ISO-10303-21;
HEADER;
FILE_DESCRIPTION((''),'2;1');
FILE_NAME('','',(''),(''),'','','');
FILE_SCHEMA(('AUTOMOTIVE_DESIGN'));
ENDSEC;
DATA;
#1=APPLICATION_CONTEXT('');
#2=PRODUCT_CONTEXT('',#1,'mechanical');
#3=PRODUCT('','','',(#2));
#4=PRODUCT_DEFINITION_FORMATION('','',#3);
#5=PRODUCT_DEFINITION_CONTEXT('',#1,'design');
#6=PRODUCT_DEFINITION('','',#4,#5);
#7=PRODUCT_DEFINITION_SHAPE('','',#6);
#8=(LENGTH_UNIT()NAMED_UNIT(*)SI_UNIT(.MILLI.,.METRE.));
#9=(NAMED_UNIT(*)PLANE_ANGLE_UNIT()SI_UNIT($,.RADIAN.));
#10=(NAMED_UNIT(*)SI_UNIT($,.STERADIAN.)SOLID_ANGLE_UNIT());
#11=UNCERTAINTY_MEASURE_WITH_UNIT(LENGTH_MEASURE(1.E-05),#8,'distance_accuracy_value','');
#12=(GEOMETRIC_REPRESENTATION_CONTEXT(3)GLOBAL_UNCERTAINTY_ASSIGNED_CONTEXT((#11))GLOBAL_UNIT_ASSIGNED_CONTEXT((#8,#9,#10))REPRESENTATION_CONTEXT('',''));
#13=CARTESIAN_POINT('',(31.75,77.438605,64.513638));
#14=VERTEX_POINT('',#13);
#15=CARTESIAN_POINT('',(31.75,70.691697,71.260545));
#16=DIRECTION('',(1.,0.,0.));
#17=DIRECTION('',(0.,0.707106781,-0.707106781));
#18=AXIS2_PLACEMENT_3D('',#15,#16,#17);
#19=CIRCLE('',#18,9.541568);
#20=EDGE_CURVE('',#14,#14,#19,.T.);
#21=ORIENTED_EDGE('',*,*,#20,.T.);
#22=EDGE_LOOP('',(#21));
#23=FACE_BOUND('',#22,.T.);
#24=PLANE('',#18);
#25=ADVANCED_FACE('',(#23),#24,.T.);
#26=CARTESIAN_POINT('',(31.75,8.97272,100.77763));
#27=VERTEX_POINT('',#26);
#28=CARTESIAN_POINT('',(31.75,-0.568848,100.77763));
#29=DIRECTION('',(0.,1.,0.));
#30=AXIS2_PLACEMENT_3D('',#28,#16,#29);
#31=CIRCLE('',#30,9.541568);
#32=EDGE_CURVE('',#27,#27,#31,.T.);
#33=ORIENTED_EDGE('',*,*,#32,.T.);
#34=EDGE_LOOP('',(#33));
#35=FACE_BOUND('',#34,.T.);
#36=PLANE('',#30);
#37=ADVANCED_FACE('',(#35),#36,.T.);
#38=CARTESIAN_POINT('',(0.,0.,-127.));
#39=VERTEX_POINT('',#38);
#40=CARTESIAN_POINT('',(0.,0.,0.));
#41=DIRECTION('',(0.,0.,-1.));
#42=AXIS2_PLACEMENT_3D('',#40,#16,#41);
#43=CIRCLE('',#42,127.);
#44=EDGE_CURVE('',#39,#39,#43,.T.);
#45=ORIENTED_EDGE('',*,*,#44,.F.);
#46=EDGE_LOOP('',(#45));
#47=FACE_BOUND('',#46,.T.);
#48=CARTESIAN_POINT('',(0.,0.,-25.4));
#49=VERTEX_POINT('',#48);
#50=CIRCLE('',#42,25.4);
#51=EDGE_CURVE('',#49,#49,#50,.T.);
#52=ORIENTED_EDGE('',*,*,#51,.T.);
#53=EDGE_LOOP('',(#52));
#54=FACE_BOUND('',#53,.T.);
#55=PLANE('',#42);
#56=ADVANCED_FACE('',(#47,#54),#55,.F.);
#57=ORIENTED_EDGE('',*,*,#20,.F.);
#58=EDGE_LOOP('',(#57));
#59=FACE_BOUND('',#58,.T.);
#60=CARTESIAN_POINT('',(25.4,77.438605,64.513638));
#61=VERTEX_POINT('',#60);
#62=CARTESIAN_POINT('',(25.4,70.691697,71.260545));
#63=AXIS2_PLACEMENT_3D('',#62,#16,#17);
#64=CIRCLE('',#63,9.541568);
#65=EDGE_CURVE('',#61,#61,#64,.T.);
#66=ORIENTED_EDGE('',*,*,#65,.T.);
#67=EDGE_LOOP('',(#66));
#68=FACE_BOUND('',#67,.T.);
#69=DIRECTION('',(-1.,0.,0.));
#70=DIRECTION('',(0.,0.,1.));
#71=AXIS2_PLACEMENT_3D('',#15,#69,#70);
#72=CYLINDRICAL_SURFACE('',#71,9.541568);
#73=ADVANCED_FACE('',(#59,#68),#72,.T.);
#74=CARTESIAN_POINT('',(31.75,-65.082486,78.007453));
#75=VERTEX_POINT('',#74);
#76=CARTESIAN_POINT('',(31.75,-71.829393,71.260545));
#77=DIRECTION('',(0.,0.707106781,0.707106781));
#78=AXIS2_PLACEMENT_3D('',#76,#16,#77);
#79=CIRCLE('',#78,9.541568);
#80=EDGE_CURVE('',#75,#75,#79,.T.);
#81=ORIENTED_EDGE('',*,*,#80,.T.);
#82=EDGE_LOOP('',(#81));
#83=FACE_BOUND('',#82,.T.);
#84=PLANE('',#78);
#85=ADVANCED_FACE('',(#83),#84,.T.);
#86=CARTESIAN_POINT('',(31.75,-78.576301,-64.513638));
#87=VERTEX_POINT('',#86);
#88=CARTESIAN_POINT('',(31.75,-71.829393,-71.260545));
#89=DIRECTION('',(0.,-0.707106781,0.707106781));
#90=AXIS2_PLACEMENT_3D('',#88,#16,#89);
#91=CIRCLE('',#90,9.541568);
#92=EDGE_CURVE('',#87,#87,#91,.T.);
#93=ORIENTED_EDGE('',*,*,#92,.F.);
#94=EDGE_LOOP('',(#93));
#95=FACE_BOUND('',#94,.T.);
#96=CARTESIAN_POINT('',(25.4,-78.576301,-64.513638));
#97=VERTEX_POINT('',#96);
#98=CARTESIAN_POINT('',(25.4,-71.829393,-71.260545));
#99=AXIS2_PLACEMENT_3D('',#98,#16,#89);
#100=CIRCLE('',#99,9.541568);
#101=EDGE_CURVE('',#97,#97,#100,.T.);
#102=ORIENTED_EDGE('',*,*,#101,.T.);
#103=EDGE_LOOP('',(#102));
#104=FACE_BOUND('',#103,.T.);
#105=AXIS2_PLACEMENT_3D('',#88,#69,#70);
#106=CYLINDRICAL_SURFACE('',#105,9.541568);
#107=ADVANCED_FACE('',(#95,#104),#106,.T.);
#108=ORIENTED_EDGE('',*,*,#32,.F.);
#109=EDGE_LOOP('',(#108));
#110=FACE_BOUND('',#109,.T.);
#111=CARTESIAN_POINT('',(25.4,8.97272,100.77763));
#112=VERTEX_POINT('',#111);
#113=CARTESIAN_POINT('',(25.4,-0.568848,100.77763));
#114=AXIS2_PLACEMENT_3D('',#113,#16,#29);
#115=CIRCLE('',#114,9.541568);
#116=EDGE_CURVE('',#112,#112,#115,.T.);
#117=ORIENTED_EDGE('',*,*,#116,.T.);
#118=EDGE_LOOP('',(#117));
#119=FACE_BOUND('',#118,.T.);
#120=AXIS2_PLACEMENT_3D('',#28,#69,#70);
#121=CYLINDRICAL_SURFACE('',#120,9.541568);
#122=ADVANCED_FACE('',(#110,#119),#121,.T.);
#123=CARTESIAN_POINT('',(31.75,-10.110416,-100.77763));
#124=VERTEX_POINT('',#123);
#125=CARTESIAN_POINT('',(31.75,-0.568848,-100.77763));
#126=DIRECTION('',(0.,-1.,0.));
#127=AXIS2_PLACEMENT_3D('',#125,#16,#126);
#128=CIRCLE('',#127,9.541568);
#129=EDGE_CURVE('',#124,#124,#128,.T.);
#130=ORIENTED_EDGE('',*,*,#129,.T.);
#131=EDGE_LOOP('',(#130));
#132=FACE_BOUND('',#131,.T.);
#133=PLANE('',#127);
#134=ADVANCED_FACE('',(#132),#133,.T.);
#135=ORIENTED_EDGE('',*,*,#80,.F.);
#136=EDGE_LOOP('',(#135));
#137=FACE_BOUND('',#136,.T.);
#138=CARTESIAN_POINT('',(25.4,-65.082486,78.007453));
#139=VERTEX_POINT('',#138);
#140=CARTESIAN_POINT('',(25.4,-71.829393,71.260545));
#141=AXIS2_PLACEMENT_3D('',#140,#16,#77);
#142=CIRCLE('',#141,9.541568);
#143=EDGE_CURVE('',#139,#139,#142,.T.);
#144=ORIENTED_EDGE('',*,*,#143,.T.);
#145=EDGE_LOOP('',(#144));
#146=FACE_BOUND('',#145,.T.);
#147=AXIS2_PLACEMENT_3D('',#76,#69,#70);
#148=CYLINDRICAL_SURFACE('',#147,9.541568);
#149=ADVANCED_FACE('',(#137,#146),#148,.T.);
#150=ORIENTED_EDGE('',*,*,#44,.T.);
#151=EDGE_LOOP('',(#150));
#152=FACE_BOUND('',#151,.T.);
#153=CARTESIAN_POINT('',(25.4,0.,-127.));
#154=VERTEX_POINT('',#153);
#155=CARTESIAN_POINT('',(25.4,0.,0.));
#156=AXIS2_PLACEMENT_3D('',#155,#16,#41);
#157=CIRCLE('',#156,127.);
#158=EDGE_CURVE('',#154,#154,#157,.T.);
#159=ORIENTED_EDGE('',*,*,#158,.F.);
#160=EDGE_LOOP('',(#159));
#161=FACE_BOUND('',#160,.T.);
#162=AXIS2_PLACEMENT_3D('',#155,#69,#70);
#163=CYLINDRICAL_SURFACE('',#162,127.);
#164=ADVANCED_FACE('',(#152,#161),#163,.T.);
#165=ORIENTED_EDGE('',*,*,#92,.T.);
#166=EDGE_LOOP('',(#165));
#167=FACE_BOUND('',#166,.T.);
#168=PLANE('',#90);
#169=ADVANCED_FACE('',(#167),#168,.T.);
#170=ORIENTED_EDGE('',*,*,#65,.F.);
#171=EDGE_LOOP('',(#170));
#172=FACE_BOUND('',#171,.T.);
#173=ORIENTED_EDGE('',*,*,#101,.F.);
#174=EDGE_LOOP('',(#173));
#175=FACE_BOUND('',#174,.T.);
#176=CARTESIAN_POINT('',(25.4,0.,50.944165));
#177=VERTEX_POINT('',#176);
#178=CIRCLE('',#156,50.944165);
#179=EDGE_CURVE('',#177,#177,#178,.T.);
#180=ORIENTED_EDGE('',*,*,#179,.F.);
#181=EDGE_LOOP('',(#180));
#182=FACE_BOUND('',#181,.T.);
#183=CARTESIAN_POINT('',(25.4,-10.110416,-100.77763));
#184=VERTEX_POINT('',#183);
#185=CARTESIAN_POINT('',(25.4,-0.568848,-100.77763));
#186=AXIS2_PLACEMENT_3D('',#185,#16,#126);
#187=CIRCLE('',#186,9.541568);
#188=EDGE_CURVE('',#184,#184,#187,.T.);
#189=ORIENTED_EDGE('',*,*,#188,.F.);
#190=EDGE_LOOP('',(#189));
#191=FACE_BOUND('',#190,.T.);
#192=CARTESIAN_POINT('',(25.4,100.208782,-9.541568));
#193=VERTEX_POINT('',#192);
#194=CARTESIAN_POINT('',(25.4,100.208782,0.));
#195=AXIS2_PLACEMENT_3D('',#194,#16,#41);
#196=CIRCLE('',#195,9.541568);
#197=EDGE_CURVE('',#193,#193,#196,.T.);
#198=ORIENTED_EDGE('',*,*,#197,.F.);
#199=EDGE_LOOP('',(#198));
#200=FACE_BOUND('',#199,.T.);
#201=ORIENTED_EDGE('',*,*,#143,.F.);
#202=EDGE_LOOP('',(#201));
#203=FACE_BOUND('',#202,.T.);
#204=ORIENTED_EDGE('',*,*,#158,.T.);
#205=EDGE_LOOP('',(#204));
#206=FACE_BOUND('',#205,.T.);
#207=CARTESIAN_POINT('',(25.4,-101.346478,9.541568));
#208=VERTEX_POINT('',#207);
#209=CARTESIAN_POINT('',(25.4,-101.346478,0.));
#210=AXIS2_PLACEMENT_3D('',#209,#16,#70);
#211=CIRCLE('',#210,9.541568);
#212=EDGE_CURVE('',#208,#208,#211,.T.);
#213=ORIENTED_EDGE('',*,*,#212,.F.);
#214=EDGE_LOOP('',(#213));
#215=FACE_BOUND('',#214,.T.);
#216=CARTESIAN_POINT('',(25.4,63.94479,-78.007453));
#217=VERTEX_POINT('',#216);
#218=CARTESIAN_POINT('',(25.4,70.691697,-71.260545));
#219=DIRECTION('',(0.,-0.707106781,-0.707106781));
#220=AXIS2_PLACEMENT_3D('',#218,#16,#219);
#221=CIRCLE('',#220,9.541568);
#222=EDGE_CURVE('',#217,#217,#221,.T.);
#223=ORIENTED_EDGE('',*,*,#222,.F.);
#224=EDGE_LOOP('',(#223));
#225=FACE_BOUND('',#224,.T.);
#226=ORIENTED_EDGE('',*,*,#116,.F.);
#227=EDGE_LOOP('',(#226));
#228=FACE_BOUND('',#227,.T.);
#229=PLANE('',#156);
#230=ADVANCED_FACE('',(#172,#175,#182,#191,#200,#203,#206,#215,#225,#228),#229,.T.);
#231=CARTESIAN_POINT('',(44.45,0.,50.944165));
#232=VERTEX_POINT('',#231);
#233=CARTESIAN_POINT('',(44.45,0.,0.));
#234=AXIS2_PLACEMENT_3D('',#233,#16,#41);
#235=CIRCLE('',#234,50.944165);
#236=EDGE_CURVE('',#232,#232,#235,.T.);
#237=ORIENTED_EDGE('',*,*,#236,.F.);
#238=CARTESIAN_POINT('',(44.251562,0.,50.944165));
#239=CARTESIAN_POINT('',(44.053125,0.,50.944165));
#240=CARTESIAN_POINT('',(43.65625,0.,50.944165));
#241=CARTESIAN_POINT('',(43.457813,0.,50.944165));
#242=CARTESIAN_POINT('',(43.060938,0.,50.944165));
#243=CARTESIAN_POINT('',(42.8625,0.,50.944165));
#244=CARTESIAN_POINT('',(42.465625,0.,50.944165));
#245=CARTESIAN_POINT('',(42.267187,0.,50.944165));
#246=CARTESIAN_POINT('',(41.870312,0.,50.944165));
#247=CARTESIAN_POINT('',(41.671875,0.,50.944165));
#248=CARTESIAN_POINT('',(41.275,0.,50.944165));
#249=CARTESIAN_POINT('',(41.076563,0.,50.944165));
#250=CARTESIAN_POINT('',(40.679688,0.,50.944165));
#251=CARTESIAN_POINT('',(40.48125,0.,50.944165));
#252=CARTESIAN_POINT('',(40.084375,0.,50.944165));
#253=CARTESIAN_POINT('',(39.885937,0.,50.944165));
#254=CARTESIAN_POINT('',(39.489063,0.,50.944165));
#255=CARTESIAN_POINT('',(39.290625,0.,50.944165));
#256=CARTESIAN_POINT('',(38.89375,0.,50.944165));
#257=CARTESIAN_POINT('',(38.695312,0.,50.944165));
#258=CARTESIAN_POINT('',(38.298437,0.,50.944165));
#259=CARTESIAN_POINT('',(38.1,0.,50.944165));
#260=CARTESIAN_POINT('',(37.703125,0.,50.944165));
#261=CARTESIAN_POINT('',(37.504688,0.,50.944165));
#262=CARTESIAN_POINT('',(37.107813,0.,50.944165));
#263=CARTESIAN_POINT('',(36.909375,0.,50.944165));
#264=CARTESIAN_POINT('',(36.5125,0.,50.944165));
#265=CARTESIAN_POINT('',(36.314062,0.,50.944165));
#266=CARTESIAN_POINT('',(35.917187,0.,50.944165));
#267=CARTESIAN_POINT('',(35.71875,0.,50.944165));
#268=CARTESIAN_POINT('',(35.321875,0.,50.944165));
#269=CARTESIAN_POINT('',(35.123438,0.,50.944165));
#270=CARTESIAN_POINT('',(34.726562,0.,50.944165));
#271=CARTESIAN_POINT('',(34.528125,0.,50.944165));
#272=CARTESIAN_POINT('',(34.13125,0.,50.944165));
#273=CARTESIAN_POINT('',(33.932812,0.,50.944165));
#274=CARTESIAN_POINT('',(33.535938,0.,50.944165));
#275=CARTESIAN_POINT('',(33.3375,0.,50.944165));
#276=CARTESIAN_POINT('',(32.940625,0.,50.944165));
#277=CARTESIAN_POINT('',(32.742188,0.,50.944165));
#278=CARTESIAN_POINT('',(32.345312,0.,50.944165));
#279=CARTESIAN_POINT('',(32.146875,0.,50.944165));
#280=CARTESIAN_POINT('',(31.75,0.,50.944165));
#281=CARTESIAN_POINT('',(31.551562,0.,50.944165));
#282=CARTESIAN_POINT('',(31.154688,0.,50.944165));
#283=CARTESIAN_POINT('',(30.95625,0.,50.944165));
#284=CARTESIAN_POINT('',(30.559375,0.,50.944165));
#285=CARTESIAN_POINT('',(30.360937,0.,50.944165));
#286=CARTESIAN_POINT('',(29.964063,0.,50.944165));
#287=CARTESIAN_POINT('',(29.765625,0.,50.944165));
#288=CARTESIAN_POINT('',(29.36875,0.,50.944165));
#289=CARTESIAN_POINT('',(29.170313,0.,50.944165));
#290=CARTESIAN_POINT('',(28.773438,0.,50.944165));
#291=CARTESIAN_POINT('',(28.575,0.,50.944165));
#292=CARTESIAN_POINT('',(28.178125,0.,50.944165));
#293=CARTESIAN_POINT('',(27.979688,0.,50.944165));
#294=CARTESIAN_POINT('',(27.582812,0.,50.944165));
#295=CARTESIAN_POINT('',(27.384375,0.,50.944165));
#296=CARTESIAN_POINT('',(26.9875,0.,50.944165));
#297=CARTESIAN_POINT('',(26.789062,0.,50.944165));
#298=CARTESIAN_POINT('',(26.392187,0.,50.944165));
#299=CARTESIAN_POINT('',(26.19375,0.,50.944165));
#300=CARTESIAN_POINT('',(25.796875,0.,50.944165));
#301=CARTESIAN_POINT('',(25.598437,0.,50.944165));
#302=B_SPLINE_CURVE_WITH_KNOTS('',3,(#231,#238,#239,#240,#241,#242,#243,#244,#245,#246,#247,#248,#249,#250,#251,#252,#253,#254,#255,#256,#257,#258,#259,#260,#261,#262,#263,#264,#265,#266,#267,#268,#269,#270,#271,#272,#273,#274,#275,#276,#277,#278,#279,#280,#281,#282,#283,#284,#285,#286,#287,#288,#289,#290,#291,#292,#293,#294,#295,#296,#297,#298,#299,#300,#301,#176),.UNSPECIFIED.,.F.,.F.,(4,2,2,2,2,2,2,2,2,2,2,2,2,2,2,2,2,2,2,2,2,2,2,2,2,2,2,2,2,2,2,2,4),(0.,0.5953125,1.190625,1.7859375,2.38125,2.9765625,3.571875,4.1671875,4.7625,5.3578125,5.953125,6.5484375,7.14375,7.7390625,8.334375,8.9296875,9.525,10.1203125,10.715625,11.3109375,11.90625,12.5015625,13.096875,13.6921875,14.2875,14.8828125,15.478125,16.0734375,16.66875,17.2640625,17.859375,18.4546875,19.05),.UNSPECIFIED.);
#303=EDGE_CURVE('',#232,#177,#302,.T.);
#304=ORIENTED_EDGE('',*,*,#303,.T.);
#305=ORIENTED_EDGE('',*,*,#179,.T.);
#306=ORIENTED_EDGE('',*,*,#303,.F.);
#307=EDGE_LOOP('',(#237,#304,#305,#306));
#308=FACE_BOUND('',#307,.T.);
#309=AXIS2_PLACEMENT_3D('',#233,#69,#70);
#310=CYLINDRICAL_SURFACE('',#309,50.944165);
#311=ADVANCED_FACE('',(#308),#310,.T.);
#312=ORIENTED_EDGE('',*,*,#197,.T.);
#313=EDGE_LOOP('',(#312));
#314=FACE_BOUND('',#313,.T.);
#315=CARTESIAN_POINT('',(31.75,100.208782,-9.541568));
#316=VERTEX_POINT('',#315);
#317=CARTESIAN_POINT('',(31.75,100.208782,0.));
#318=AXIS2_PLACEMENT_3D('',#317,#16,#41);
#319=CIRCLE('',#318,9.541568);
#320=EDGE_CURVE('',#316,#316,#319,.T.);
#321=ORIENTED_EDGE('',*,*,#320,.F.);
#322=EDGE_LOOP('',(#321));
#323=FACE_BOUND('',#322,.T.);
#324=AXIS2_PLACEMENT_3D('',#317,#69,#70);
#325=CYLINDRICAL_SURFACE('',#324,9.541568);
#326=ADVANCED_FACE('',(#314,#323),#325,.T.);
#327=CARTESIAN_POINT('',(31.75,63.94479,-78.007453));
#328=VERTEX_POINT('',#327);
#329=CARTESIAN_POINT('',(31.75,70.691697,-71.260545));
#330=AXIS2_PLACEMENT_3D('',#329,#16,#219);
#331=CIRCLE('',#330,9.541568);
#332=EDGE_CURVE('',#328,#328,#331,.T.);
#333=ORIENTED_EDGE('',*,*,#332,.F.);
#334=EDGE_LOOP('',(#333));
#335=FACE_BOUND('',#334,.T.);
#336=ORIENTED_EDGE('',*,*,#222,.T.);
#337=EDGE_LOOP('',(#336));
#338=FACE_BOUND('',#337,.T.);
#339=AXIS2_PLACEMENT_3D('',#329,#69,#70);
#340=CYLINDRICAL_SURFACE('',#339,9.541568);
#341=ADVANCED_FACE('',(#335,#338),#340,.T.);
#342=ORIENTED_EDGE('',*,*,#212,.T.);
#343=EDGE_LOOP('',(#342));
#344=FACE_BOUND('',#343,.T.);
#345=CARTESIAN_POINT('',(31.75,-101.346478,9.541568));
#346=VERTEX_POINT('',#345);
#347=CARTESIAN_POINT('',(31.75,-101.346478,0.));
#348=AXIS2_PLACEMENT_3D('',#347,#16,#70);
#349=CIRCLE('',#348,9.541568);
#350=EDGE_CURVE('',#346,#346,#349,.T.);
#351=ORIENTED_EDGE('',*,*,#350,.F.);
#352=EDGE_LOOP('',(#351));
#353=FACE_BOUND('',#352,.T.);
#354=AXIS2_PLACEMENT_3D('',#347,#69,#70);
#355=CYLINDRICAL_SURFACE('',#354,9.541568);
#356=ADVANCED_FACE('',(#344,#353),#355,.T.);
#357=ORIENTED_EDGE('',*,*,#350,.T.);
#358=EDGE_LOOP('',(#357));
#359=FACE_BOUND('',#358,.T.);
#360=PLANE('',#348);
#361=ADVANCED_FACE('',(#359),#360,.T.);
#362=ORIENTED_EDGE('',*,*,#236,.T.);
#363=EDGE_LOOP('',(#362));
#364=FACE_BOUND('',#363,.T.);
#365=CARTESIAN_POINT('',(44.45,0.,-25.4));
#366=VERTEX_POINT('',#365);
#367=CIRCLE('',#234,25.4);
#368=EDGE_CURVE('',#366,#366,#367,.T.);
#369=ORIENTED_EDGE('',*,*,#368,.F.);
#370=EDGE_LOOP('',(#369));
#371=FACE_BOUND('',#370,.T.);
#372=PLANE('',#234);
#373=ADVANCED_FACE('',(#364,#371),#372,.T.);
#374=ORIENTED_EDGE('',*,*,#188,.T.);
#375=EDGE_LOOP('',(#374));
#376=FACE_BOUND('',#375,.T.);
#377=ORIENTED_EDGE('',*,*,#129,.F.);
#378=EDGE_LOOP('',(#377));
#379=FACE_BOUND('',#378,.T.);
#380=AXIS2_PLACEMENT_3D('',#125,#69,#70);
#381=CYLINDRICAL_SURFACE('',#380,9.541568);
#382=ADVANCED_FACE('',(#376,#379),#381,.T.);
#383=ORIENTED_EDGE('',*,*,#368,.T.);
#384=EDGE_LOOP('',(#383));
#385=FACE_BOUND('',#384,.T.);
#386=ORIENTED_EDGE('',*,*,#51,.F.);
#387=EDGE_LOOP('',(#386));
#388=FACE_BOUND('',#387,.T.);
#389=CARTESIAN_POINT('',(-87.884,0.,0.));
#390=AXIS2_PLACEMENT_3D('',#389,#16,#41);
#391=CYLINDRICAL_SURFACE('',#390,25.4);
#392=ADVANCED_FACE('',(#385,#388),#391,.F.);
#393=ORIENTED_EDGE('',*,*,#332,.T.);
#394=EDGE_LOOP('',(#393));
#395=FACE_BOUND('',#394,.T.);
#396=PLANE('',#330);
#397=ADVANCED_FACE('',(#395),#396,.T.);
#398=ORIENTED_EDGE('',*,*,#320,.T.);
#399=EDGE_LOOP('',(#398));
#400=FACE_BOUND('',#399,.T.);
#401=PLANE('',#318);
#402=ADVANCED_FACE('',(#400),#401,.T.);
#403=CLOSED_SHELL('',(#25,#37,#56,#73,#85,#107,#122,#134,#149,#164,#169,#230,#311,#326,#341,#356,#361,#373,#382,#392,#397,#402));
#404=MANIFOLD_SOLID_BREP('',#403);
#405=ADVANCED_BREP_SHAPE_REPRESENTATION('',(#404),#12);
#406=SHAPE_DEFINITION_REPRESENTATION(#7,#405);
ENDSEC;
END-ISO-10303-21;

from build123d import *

# Parameters (mm, degrees)
SKETCH1_R           = 127
BOSS_EXTRUDE1_DEPTH = 25.4
SKETCH2_R           = 9.54156828
BOSS_EXTRUDE2_DEPTH = 6.35
CIRPATTERN1_COUNT   = 8
SKETCH3_R           = 50.944165106
BOSS_EXTRUDE3_DEPTH = 19.05
SKETCH4_R           = 25.4
CUT_EXTRUDE1_DEPTH  = 132.334


with BuildPart() as part:
    # Sketch1 → Boss-Extrude1 (new body)
    with BuildSketch(Plane(origin=(0, 0, 0), x_dir=(0, 0, -1), z_dir=(1, 0, 0))):
        Circle(SKETCH1_R)
    extrude(amount=BOSS_EXTRUDE1_DEPTH)

    # Sketch2 → Boss-Extrude2 (add)
    with BuildSketch(Plane(origin=(25.4, 0, 0), x_dir=(0, 0, -1), z_dir=(1, 0, 0))):
        with Locations((0, 100.208781769)):
            Circle(SKETCH2_R)
    boss_extrude2 = extrude(amount=BOSS_EXTRUDE2_DEPTH)

    # CirPattern1: Boss-Extrude2 ×8 about axis
    cirpattern1_axis = Axis((0, -0.568847983, 0), (1, 0, 0))
    for i in range(1, CIRPATTERN1_COUNT):
        add(boss_extrude2.rotate(cirpattern1_axis, i * 360 / CIRPATTERN1_COUNT))

    # Sketch3 → Boss-Extrude3 (add)
    with BuildSketch(Plane(origin=(25.4, 0, 0), x_dir=(0, 0, -1), z_dir=(1, 0, 0))):
        with Locations(Location((0, 0, 0), (0, 0, 180))):
            Circle(SKETCH3_R)
    extrude(amount=BOSS_EXTRUDE3_DEPTH)

    # Sketch4 → Cut-Extrude1 (cut)
    with BuildSketch(Plane(origin=(44.45, 0, 0), x_dir=(0, 0, -1), z_dir=(1, 0, 0))):
        Circle(SKETCH4_R)
    extrude(amount=-CUT_EXTRUDE1_DEPTH, mode=Mode.SUBTRACT)


solid = part.part
